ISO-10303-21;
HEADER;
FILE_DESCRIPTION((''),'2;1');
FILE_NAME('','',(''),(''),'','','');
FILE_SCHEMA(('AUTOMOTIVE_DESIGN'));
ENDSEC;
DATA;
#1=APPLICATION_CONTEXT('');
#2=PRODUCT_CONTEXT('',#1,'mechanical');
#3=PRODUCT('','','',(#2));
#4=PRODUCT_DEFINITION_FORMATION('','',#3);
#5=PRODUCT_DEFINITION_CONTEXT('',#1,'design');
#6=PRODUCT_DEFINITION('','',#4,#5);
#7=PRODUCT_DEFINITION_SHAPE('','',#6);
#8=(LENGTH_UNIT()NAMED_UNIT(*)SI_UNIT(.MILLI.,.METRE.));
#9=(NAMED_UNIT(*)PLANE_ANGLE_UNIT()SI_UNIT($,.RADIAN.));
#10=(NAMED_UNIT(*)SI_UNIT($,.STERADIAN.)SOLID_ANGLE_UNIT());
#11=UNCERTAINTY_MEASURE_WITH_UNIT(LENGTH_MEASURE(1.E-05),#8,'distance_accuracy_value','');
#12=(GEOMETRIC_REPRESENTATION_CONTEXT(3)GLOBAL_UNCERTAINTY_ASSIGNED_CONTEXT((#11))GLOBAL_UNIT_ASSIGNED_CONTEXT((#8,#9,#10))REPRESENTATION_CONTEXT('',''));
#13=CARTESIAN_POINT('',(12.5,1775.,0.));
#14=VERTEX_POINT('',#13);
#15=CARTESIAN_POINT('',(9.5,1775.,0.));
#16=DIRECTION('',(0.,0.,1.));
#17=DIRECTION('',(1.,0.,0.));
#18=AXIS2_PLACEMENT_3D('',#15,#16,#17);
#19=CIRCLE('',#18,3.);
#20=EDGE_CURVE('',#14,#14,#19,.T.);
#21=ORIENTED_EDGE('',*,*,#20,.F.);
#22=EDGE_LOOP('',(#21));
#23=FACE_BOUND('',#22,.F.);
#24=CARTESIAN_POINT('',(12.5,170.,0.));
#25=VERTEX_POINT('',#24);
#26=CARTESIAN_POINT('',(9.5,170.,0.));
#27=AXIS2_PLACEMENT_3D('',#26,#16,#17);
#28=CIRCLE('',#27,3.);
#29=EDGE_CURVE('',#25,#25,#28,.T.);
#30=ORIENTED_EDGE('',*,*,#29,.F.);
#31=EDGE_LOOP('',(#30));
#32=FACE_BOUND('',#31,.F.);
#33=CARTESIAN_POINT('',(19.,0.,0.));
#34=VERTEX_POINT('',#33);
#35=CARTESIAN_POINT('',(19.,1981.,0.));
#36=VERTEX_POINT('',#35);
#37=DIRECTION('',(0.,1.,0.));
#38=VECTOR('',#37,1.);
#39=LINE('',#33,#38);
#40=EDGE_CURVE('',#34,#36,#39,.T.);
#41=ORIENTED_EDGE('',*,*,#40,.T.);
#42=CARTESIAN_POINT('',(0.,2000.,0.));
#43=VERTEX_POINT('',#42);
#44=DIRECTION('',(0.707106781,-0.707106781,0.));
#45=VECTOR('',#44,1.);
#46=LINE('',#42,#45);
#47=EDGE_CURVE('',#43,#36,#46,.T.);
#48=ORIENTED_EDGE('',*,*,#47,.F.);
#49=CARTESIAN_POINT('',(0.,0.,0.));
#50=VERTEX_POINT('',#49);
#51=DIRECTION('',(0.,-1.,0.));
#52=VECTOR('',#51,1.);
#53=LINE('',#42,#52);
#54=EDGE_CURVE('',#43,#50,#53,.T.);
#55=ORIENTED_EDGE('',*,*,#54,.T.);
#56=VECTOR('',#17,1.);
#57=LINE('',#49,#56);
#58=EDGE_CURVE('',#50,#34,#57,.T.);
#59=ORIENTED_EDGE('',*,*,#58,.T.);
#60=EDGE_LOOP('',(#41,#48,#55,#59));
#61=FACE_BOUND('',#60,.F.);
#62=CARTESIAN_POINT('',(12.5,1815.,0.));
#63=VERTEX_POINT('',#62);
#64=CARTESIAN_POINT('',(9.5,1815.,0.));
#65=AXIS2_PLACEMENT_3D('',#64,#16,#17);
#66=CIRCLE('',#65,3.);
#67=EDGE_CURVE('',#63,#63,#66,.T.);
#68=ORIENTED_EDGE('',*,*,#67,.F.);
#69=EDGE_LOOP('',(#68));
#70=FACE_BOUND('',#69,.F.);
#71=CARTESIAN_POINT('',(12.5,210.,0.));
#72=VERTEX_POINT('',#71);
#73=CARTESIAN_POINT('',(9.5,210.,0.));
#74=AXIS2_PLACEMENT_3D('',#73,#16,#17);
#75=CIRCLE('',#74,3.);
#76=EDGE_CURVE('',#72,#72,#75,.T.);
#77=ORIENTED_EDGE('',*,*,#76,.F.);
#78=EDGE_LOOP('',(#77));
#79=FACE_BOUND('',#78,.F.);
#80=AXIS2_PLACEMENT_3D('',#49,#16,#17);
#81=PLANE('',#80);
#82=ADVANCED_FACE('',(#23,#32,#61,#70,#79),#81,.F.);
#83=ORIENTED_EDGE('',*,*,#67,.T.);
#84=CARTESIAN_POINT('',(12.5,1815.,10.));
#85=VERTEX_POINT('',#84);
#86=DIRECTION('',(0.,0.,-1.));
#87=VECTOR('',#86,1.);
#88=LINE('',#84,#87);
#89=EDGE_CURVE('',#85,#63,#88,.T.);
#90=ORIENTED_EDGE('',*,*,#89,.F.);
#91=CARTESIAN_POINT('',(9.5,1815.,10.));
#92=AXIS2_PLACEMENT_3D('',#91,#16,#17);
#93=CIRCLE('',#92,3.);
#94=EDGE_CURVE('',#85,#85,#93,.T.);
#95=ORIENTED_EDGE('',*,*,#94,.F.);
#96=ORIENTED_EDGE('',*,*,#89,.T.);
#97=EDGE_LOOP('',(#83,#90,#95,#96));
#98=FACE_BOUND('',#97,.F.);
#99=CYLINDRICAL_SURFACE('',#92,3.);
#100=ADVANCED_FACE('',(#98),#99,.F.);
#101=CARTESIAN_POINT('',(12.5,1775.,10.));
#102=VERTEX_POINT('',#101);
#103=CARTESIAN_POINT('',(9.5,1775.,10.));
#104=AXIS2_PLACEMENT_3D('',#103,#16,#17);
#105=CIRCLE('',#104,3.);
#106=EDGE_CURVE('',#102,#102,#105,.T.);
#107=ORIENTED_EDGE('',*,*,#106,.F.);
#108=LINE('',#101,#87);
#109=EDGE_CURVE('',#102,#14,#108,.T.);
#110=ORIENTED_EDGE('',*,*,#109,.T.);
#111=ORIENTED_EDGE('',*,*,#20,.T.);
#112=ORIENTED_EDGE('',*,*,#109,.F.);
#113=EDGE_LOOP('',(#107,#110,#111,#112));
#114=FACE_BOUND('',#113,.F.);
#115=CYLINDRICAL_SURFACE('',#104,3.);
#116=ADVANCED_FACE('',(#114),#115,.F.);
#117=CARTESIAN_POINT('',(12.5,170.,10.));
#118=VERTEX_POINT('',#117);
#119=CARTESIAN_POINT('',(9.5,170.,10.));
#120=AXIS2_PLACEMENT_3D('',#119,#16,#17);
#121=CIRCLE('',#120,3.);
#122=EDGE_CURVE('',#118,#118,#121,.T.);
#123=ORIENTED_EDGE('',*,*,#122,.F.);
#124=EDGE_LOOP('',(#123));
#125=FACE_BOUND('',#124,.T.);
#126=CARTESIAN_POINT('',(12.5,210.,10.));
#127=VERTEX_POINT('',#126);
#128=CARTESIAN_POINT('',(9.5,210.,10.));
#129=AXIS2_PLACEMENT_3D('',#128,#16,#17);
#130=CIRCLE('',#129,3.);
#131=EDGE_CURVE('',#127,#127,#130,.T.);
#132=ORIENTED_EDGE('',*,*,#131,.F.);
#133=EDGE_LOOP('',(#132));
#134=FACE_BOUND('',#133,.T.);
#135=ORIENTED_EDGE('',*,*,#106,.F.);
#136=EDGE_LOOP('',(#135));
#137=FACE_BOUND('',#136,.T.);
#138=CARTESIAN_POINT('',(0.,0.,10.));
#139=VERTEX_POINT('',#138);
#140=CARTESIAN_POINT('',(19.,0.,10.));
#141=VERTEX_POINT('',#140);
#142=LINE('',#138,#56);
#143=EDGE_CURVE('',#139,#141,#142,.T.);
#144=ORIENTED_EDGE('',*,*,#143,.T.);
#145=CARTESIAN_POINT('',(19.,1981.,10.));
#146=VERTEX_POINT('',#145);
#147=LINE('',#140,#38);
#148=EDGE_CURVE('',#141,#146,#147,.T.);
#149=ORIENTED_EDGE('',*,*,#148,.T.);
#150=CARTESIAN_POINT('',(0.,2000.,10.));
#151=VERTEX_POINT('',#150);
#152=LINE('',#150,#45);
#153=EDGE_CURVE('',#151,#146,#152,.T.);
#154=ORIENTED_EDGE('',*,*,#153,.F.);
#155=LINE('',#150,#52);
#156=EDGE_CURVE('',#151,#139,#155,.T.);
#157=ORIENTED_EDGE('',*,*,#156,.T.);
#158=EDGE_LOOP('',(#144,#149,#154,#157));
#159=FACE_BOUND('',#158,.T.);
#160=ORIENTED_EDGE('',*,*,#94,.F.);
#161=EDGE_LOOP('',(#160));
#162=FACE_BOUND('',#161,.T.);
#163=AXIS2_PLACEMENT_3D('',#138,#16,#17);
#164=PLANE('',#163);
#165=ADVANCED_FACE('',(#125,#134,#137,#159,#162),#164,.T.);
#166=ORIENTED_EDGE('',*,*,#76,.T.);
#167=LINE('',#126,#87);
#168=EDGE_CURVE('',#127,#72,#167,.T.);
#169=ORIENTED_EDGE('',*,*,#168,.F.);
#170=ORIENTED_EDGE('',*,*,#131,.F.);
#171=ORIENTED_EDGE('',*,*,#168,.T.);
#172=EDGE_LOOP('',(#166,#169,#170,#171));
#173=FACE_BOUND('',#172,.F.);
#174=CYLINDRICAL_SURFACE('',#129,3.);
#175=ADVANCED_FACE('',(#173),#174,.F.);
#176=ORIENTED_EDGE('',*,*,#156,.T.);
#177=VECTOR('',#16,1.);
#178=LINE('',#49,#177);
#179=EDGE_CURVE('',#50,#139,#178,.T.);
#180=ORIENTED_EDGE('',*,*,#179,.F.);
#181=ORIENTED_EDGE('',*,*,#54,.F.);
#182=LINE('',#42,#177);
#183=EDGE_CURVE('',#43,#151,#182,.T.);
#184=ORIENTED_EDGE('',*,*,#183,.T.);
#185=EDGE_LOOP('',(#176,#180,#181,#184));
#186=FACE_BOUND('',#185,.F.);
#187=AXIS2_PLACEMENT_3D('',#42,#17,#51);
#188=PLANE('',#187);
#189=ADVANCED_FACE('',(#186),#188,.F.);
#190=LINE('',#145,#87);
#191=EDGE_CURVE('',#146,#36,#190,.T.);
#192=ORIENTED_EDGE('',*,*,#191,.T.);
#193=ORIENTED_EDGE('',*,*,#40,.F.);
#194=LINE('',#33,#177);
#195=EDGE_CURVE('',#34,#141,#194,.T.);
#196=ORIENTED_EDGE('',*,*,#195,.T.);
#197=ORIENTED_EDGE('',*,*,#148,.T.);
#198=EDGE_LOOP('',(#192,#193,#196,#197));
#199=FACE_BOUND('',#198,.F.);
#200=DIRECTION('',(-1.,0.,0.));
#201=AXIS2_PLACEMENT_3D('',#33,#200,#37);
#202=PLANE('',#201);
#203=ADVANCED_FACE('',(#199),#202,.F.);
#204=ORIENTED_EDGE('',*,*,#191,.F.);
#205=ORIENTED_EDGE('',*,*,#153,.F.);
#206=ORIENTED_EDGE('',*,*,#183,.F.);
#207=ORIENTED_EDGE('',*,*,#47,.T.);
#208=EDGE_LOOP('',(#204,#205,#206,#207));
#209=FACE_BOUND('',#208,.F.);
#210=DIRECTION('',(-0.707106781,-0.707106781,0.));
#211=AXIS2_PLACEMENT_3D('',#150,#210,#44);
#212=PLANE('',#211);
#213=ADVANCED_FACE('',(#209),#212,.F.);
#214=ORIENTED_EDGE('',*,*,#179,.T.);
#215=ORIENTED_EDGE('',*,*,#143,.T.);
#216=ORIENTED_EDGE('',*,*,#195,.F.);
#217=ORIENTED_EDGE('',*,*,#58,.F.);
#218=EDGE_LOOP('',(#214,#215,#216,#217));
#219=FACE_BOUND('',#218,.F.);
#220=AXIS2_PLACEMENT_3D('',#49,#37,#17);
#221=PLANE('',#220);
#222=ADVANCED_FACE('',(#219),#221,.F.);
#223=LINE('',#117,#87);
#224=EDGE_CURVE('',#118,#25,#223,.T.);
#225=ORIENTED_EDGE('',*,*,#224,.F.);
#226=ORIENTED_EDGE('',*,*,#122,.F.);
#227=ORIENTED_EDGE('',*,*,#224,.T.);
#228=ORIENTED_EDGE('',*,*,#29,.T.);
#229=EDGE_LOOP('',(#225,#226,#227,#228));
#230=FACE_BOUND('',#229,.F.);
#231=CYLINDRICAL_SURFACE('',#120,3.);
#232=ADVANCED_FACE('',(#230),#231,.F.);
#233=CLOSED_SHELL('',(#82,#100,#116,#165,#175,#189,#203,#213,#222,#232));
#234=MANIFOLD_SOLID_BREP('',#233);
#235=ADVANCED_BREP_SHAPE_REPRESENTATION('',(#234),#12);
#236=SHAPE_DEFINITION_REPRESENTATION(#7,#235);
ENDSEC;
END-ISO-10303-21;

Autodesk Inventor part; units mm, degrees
ref_plane "YZ Plane" through (0, 0, 0) normal (1, 0, 0) x (0, 1, 0)
ref_plane "XZ Plane" through (0, 0, 0) normal (0, 1, 0) x (-1, 0, 0)
ref_plane "XY Plane" through (0, 0, 0) normal (0, 0, 1) x (1, 0, 0)
sketch "Sketch1" plane through (0, 0, 0) normal (0, 0, 1) x (1, 0, 0)
  line L0 (0, 0) -> (19, 0)
  line L1 (19, 0) -> (19, 2000)
  line L2 (19, 2000) -> (0, 2000)
  line L3 (0, 2000) -> (0, 0)
  dimension "d0" = 19
  dimension "d1" = 2000
extrude "Extrusion1" add sketch "Sketch1" along normal blind 10
sketch "Sketch2" plane through (0, 0, 10) normal (0, 0, 1) x (1, 0, 0)
  line L0 (19, 0) -> (19, 2000) projected
  line L1 (19, 2000) -> (0, 2000) projected
  line L2 (0, 2000) -> (0, 0) projected
  line L3 (0, 0) -> (19, 0) projected
  line L4 (0, 2000) -> (19, 1981)
  dimension "d7" = 45
extrude "Extrusion2" cut sketch "Sketch2" against normal blind 10 contours L4 L1 L0
sketch "Sketch3" plane through (0, 0, 10) normal (0, 0, 1) x (1, 0, 0)
  circle A0 centre (9.5, 210) radius 3
  circle A1 centre (9.5, 170) radius 3
  line L0 (0, 0) -> (19, 0) projected
  point P0 (9.5, 0)
  dimension "d8" = 6
  dimension "d9" = 40
  dimension "d10" = 170
extrude "Extrusion3" cut sketch "Sketch3" against normal blind 10
sketch "Sketch4" plane through (0, 0, 10) normal (0, 0, 1) x (1, 0, 0)
  circle A0 centre (9.5, 1815) radius 3
  line L0 (19, 1981) -> (0, 2000) projected
  circle A1 centre (9.5, 1775) radius 3
  point P0 (0, 0)
  point P1 (9.5, 1990.5)
  dimension "d14" = 185
  dimension "d15" = 6
  dimension "d16" = 40
extrude "Extrusion4" cut sketch "Sketch4" against normal blind 10
properties part number "Dichtung_links"
